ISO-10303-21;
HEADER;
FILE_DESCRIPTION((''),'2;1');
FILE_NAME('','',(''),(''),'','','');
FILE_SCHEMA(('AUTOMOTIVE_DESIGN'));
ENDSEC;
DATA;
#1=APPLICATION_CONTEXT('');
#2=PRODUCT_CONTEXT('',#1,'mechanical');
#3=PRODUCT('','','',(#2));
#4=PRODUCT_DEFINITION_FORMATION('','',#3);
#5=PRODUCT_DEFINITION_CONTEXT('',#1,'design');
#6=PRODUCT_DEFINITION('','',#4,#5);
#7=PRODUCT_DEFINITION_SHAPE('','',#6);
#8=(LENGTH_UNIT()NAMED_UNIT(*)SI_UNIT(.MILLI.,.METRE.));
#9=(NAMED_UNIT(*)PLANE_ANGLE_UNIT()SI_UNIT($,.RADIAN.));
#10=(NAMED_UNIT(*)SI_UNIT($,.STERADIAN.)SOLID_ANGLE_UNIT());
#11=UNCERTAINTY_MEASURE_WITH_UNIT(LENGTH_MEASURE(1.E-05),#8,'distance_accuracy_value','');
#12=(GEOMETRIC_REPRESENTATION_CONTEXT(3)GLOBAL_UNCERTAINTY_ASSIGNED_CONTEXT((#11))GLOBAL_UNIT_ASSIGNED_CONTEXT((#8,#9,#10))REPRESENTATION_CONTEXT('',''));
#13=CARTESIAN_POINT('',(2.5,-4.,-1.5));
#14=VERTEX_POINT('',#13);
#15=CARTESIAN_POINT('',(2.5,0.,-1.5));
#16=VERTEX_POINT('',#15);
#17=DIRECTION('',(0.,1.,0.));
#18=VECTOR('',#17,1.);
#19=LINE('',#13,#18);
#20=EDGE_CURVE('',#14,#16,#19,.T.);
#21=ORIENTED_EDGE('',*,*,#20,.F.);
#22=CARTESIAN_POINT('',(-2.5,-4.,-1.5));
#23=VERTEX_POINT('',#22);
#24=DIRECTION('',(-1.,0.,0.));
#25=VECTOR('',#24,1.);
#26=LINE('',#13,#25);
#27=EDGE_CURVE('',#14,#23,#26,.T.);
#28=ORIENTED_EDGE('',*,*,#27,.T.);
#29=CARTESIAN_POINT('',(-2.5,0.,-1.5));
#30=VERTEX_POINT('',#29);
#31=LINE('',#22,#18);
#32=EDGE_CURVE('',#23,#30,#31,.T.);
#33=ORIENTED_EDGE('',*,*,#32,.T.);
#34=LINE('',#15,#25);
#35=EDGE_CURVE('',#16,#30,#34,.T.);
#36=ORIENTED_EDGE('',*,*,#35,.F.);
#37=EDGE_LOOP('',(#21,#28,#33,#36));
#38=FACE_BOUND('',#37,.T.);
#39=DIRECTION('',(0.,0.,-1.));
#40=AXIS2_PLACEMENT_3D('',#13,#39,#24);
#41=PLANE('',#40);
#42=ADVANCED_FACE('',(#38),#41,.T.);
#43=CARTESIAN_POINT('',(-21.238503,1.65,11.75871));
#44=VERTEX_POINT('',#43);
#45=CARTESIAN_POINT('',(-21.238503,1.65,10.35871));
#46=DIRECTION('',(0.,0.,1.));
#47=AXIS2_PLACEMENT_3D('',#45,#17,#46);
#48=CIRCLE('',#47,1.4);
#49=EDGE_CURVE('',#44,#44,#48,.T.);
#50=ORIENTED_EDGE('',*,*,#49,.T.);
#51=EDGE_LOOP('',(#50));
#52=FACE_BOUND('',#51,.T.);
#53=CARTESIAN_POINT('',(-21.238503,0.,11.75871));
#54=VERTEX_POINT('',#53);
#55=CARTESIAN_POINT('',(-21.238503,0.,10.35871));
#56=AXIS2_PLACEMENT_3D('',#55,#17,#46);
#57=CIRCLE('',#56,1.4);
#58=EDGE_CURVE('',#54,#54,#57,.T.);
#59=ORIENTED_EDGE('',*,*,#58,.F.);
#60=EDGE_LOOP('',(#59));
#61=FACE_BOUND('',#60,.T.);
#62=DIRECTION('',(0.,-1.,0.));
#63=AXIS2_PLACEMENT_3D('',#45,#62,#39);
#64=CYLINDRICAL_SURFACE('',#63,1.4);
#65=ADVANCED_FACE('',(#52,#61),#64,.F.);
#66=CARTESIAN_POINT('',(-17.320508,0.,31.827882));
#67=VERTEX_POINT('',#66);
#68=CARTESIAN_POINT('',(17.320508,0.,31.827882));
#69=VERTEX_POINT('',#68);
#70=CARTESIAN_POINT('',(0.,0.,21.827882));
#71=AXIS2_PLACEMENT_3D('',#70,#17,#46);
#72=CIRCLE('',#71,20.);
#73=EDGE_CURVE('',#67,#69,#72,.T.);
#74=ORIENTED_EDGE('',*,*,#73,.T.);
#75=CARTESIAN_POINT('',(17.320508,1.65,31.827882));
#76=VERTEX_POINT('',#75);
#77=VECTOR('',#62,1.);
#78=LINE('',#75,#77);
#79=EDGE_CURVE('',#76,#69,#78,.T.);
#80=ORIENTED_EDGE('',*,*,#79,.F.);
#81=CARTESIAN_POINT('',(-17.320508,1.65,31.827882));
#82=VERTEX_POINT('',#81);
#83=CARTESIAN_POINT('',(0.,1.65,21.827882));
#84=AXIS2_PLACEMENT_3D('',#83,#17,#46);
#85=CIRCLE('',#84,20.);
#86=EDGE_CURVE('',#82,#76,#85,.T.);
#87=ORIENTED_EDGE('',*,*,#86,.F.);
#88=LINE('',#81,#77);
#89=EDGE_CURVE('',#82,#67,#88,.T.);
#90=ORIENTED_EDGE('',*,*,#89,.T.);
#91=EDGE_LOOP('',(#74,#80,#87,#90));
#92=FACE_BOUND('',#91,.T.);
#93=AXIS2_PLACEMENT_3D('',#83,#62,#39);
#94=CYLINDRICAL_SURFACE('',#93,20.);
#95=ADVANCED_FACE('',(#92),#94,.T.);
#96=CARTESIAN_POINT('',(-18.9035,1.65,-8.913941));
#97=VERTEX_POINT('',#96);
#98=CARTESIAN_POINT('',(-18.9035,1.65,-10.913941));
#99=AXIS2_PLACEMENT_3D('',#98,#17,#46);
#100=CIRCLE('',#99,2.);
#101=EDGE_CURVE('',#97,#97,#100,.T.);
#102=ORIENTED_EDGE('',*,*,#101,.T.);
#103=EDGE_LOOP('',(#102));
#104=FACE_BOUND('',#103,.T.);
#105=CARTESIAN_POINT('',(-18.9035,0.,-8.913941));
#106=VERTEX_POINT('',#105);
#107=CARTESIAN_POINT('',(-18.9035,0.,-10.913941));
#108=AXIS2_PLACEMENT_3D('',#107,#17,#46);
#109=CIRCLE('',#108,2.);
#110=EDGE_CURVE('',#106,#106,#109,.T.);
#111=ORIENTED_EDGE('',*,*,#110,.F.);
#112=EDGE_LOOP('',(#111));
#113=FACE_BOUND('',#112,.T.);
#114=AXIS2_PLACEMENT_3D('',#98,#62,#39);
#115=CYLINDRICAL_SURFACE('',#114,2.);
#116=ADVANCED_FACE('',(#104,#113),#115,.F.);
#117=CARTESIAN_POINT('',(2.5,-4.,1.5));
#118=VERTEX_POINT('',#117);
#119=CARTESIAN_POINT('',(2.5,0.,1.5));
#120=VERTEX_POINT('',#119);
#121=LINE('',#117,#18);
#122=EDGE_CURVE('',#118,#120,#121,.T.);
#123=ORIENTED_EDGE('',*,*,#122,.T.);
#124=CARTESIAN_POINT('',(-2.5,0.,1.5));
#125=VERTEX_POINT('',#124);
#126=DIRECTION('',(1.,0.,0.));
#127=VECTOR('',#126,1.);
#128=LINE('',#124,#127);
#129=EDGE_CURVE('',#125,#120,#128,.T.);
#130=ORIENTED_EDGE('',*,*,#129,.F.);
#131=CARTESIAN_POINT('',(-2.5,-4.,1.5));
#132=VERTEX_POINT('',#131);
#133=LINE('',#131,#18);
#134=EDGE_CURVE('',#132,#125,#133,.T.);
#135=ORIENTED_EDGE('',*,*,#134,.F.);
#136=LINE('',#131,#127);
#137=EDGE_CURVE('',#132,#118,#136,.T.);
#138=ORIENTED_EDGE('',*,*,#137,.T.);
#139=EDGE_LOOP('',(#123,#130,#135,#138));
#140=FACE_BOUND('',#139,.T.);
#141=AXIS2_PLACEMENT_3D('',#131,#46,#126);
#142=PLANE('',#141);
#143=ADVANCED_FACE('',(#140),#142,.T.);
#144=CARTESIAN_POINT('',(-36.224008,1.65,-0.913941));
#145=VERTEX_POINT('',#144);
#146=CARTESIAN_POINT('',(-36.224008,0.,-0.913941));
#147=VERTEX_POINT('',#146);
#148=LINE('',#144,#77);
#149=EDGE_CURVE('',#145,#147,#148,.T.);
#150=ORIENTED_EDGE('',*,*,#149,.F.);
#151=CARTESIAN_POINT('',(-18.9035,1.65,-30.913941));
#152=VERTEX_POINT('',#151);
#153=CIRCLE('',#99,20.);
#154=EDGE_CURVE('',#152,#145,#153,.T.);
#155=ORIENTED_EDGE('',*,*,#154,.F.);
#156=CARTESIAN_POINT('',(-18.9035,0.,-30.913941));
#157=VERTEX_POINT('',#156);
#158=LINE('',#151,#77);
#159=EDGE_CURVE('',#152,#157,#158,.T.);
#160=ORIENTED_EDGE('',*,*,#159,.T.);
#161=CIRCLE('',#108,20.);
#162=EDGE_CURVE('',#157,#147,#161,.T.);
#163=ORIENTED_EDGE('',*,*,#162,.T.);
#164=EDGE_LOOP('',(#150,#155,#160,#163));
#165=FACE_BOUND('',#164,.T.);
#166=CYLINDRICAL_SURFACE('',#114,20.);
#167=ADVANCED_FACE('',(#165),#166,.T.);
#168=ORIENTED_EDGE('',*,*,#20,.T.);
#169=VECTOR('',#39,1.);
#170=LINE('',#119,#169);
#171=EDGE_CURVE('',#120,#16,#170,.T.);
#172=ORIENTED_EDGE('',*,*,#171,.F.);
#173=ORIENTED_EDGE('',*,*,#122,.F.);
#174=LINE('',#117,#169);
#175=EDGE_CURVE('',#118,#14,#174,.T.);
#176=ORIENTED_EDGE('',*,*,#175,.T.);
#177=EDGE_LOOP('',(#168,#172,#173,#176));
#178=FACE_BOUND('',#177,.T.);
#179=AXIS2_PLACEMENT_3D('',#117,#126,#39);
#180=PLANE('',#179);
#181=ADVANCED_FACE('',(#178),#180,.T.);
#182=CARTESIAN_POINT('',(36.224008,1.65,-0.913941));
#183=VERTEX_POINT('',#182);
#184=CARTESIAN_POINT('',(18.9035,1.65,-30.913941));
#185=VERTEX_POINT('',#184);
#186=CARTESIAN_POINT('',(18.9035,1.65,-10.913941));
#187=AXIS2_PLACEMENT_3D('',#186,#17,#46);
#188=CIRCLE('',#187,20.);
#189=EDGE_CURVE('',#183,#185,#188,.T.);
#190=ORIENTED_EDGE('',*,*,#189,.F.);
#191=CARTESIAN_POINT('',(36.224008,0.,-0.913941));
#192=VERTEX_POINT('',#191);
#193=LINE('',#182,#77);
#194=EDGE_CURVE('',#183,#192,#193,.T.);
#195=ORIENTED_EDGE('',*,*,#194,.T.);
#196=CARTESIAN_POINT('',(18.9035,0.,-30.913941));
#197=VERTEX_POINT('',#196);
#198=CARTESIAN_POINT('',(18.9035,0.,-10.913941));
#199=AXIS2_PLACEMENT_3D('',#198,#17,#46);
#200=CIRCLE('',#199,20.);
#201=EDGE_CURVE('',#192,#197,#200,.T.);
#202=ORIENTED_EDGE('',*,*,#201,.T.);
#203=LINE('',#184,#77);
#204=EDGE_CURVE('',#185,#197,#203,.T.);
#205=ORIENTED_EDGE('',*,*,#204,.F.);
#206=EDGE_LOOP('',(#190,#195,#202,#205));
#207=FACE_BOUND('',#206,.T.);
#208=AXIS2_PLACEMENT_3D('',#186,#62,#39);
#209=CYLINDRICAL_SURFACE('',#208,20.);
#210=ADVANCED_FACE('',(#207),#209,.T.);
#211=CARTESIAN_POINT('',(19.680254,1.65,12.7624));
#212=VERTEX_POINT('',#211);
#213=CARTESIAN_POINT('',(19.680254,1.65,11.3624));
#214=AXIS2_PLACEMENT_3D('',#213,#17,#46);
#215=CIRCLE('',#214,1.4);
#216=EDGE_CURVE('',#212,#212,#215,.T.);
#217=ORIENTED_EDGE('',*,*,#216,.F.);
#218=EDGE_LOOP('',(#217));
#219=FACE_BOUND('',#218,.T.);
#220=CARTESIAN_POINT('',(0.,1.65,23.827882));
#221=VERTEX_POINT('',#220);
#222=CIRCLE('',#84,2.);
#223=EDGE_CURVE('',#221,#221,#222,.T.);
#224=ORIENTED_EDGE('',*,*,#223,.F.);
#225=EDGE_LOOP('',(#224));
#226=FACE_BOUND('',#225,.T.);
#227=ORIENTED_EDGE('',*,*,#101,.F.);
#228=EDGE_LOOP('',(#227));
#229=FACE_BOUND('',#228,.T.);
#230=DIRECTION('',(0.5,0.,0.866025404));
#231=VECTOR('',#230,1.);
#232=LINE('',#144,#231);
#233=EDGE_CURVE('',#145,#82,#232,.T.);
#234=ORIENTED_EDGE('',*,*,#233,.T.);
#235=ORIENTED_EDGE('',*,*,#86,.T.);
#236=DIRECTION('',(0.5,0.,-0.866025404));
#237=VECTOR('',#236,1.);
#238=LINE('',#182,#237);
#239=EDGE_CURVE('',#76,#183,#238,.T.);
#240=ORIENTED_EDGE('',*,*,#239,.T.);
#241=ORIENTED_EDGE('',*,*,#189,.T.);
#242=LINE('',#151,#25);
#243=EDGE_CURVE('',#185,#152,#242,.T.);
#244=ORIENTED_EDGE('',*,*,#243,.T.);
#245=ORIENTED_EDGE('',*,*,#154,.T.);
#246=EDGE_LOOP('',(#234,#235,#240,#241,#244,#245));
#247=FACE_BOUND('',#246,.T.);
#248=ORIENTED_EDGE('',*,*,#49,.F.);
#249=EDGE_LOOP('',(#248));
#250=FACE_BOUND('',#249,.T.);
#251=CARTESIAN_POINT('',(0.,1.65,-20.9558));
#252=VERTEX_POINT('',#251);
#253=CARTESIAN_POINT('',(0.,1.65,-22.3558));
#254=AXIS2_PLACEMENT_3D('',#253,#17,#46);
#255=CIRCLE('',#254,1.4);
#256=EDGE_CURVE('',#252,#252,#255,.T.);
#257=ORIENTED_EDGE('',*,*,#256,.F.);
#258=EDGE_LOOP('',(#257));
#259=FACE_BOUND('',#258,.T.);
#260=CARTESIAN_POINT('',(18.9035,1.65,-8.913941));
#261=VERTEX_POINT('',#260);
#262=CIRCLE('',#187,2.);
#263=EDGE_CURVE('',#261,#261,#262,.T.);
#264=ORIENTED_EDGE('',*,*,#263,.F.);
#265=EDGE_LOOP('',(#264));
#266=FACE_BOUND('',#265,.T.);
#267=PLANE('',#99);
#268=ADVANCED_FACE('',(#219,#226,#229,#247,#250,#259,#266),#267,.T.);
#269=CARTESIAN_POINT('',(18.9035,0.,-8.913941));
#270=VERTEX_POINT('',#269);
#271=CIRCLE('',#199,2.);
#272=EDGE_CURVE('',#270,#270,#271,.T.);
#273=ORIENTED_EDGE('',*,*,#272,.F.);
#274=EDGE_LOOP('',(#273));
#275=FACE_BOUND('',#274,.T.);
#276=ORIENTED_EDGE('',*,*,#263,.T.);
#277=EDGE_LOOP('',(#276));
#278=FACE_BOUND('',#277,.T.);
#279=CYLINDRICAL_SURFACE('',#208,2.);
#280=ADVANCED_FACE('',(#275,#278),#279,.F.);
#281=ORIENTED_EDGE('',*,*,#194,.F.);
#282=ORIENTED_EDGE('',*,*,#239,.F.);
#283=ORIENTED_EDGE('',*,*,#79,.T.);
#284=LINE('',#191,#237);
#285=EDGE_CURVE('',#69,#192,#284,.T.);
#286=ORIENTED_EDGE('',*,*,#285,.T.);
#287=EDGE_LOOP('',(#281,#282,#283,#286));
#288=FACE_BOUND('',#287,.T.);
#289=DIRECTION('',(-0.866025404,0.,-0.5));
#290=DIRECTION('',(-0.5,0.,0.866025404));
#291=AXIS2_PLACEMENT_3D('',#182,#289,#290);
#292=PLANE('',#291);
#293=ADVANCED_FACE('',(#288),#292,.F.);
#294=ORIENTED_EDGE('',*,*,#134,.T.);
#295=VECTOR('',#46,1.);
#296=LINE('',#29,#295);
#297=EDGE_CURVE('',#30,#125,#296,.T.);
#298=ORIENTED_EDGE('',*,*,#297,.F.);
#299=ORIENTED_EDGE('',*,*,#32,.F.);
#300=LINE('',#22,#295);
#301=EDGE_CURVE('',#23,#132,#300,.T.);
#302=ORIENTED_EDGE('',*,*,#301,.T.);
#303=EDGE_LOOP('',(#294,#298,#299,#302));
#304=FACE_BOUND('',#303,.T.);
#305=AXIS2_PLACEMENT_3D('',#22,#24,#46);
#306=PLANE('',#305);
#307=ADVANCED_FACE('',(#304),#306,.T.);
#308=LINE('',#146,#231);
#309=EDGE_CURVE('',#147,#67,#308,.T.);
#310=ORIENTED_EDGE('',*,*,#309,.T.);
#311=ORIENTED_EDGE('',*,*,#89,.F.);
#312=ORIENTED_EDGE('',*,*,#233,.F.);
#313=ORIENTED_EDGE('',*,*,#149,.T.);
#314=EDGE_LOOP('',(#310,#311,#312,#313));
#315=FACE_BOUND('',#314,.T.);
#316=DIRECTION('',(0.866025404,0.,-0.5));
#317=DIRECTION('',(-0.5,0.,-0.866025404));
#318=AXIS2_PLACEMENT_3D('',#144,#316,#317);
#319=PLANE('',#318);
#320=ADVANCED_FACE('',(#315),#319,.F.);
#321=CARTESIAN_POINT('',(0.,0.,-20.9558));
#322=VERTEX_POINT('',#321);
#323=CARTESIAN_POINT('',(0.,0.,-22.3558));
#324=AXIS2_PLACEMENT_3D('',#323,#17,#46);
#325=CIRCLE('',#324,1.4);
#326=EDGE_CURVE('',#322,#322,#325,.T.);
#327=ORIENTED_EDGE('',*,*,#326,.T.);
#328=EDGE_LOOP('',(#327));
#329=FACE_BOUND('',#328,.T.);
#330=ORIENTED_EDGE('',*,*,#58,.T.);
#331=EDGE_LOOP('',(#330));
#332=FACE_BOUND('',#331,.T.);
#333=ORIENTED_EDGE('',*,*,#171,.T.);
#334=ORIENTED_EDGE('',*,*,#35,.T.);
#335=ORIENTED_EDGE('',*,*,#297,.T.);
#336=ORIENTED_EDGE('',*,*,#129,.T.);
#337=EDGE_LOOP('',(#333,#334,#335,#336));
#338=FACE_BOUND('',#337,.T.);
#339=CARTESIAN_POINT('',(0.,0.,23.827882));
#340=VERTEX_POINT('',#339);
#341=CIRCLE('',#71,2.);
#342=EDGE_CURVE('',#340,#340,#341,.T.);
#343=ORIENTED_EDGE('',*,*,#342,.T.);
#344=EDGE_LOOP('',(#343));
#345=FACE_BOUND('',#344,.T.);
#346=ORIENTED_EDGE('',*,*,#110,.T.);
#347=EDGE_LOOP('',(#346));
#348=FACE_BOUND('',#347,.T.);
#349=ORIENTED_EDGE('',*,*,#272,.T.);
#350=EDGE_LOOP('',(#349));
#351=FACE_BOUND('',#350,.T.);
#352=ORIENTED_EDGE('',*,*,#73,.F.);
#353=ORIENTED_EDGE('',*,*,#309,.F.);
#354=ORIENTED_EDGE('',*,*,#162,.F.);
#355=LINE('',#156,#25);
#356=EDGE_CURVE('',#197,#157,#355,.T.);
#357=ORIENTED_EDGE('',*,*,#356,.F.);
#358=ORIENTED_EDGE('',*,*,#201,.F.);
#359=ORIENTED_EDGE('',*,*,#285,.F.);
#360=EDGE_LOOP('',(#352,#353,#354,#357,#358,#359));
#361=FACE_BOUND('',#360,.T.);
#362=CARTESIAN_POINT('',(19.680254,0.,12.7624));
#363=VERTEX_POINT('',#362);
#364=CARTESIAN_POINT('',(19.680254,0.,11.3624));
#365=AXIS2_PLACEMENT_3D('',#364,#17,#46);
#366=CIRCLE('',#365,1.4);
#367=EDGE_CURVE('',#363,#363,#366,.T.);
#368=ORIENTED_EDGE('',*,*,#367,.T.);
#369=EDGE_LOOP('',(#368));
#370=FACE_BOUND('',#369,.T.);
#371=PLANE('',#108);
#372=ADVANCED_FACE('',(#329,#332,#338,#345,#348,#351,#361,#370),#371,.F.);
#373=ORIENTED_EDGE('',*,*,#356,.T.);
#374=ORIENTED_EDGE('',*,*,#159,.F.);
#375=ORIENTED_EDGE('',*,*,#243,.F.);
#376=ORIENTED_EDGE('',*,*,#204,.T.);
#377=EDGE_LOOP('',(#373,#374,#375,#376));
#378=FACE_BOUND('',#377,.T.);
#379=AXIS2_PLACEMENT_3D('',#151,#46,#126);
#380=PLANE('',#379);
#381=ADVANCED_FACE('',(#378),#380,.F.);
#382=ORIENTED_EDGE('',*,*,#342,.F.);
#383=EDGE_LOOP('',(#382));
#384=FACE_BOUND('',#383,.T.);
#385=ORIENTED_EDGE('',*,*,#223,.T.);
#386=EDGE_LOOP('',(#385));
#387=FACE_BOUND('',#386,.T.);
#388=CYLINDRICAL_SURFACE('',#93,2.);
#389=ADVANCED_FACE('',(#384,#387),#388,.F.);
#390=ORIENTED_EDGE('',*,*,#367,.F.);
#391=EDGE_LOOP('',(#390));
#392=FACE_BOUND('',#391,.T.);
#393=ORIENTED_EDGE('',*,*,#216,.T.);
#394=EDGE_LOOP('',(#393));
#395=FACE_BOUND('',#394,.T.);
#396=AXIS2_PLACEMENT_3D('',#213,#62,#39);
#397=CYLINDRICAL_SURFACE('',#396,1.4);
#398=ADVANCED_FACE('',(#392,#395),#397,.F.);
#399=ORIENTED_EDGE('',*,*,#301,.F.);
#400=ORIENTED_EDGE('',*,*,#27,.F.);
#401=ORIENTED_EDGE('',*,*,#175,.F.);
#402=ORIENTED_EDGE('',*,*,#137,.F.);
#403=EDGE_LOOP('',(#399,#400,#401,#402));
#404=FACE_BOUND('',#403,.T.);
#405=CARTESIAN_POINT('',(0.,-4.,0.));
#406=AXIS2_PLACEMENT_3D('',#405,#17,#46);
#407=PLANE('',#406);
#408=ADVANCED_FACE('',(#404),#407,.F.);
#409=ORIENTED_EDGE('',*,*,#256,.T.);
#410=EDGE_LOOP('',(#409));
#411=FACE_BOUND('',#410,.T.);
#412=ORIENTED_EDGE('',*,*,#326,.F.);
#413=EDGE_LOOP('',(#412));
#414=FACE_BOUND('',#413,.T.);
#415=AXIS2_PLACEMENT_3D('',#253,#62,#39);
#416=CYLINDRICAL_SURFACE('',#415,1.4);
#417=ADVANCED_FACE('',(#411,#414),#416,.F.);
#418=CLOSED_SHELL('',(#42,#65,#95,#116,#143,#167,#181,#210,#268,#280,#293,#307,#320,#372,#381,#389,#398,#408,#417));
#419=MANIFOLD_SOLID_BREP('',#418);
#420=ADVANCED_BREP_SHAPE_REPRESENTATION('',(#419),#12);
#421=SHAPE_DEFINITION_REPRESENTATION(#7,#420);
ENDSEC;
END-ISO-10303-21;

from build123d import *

# Parameters (mm, degrees)
SKETCH1_R           = 2
SKETCH1_R_2         = 1.4
BOSS_EXTRUDE1_DEPTH = 1.65
SKETCH2_W           = 5
SKETCH2_H           = 3
BOSS_EXTRUDE2_DEPTH = 4


with BuildPart() as part:
    # Sketch1 → Boss-Extrude1 (new body)
    with BuildSketch(Plane(origin=(0, 0, 0), x_dir=(1, 0, 0), z_dir=(0, 1, 0))):
        with BuildLine():
            Line((36.224008076, 0.913940814), (17.320508076, -31.827881627))
            ThreePointArc((17.320508076, -31.827881627), (0, -41.827881627), (-17.320508076, -31.827881627))
            Line((-17.320508076, -31.827881627), (-36.224008076, 0.913940814))
            ThreePointArc((-36.224008076, 0.913940814), (-36.224008076, 20.913940814), (-18.9035, 30.913940814))
            Line((-18.9035, 30.913940814), (18.9035, 30.913940814))
            ThreePointArc((18.9035, 30.913940814), (36.224008076, 20.913940814), (36.224008076, 0.913940814))
        make_face()
        with Locations((-18.9035, 10.913940814)):
            Circle(SKETCH1_R, mode=Mode.SUBTRACT)
        with Locations((18.9035, 10.913940814)):
            Circle(SKETCH1_R, mode=Mode.SUBTRACT)
        with Locations((0, -21.827881627)):
            Circle(SKETCH1_R, mode=Mode.SUBTRACT)
        with Locations((-21.238503314, -10.358710199)):
            Circle(SKETCH1_R_2, mode=Mode.SUBTRACT)
        with Locations((19.680254096, -11.3624)):
            Circle(SKETCH1_R_2, mode=Mode.SUBTRACT)
        with Locations((0, 22.3558)):
            Circle(SKETCH1_R_2, mode=Mode.SUBTRACT)
    extrude(amount=BOSS_EXTRUDE1_DEPTH)

    # Sketch2 → Boss-Extrude2 (add)
    with BuildSketch(Plane.XZ):
        Rectangle(SKETCH2_W, SKETCH2_H)
    extrude(amount=BOSS_EXTRUDE2_DEPTH)


solid = part.part
